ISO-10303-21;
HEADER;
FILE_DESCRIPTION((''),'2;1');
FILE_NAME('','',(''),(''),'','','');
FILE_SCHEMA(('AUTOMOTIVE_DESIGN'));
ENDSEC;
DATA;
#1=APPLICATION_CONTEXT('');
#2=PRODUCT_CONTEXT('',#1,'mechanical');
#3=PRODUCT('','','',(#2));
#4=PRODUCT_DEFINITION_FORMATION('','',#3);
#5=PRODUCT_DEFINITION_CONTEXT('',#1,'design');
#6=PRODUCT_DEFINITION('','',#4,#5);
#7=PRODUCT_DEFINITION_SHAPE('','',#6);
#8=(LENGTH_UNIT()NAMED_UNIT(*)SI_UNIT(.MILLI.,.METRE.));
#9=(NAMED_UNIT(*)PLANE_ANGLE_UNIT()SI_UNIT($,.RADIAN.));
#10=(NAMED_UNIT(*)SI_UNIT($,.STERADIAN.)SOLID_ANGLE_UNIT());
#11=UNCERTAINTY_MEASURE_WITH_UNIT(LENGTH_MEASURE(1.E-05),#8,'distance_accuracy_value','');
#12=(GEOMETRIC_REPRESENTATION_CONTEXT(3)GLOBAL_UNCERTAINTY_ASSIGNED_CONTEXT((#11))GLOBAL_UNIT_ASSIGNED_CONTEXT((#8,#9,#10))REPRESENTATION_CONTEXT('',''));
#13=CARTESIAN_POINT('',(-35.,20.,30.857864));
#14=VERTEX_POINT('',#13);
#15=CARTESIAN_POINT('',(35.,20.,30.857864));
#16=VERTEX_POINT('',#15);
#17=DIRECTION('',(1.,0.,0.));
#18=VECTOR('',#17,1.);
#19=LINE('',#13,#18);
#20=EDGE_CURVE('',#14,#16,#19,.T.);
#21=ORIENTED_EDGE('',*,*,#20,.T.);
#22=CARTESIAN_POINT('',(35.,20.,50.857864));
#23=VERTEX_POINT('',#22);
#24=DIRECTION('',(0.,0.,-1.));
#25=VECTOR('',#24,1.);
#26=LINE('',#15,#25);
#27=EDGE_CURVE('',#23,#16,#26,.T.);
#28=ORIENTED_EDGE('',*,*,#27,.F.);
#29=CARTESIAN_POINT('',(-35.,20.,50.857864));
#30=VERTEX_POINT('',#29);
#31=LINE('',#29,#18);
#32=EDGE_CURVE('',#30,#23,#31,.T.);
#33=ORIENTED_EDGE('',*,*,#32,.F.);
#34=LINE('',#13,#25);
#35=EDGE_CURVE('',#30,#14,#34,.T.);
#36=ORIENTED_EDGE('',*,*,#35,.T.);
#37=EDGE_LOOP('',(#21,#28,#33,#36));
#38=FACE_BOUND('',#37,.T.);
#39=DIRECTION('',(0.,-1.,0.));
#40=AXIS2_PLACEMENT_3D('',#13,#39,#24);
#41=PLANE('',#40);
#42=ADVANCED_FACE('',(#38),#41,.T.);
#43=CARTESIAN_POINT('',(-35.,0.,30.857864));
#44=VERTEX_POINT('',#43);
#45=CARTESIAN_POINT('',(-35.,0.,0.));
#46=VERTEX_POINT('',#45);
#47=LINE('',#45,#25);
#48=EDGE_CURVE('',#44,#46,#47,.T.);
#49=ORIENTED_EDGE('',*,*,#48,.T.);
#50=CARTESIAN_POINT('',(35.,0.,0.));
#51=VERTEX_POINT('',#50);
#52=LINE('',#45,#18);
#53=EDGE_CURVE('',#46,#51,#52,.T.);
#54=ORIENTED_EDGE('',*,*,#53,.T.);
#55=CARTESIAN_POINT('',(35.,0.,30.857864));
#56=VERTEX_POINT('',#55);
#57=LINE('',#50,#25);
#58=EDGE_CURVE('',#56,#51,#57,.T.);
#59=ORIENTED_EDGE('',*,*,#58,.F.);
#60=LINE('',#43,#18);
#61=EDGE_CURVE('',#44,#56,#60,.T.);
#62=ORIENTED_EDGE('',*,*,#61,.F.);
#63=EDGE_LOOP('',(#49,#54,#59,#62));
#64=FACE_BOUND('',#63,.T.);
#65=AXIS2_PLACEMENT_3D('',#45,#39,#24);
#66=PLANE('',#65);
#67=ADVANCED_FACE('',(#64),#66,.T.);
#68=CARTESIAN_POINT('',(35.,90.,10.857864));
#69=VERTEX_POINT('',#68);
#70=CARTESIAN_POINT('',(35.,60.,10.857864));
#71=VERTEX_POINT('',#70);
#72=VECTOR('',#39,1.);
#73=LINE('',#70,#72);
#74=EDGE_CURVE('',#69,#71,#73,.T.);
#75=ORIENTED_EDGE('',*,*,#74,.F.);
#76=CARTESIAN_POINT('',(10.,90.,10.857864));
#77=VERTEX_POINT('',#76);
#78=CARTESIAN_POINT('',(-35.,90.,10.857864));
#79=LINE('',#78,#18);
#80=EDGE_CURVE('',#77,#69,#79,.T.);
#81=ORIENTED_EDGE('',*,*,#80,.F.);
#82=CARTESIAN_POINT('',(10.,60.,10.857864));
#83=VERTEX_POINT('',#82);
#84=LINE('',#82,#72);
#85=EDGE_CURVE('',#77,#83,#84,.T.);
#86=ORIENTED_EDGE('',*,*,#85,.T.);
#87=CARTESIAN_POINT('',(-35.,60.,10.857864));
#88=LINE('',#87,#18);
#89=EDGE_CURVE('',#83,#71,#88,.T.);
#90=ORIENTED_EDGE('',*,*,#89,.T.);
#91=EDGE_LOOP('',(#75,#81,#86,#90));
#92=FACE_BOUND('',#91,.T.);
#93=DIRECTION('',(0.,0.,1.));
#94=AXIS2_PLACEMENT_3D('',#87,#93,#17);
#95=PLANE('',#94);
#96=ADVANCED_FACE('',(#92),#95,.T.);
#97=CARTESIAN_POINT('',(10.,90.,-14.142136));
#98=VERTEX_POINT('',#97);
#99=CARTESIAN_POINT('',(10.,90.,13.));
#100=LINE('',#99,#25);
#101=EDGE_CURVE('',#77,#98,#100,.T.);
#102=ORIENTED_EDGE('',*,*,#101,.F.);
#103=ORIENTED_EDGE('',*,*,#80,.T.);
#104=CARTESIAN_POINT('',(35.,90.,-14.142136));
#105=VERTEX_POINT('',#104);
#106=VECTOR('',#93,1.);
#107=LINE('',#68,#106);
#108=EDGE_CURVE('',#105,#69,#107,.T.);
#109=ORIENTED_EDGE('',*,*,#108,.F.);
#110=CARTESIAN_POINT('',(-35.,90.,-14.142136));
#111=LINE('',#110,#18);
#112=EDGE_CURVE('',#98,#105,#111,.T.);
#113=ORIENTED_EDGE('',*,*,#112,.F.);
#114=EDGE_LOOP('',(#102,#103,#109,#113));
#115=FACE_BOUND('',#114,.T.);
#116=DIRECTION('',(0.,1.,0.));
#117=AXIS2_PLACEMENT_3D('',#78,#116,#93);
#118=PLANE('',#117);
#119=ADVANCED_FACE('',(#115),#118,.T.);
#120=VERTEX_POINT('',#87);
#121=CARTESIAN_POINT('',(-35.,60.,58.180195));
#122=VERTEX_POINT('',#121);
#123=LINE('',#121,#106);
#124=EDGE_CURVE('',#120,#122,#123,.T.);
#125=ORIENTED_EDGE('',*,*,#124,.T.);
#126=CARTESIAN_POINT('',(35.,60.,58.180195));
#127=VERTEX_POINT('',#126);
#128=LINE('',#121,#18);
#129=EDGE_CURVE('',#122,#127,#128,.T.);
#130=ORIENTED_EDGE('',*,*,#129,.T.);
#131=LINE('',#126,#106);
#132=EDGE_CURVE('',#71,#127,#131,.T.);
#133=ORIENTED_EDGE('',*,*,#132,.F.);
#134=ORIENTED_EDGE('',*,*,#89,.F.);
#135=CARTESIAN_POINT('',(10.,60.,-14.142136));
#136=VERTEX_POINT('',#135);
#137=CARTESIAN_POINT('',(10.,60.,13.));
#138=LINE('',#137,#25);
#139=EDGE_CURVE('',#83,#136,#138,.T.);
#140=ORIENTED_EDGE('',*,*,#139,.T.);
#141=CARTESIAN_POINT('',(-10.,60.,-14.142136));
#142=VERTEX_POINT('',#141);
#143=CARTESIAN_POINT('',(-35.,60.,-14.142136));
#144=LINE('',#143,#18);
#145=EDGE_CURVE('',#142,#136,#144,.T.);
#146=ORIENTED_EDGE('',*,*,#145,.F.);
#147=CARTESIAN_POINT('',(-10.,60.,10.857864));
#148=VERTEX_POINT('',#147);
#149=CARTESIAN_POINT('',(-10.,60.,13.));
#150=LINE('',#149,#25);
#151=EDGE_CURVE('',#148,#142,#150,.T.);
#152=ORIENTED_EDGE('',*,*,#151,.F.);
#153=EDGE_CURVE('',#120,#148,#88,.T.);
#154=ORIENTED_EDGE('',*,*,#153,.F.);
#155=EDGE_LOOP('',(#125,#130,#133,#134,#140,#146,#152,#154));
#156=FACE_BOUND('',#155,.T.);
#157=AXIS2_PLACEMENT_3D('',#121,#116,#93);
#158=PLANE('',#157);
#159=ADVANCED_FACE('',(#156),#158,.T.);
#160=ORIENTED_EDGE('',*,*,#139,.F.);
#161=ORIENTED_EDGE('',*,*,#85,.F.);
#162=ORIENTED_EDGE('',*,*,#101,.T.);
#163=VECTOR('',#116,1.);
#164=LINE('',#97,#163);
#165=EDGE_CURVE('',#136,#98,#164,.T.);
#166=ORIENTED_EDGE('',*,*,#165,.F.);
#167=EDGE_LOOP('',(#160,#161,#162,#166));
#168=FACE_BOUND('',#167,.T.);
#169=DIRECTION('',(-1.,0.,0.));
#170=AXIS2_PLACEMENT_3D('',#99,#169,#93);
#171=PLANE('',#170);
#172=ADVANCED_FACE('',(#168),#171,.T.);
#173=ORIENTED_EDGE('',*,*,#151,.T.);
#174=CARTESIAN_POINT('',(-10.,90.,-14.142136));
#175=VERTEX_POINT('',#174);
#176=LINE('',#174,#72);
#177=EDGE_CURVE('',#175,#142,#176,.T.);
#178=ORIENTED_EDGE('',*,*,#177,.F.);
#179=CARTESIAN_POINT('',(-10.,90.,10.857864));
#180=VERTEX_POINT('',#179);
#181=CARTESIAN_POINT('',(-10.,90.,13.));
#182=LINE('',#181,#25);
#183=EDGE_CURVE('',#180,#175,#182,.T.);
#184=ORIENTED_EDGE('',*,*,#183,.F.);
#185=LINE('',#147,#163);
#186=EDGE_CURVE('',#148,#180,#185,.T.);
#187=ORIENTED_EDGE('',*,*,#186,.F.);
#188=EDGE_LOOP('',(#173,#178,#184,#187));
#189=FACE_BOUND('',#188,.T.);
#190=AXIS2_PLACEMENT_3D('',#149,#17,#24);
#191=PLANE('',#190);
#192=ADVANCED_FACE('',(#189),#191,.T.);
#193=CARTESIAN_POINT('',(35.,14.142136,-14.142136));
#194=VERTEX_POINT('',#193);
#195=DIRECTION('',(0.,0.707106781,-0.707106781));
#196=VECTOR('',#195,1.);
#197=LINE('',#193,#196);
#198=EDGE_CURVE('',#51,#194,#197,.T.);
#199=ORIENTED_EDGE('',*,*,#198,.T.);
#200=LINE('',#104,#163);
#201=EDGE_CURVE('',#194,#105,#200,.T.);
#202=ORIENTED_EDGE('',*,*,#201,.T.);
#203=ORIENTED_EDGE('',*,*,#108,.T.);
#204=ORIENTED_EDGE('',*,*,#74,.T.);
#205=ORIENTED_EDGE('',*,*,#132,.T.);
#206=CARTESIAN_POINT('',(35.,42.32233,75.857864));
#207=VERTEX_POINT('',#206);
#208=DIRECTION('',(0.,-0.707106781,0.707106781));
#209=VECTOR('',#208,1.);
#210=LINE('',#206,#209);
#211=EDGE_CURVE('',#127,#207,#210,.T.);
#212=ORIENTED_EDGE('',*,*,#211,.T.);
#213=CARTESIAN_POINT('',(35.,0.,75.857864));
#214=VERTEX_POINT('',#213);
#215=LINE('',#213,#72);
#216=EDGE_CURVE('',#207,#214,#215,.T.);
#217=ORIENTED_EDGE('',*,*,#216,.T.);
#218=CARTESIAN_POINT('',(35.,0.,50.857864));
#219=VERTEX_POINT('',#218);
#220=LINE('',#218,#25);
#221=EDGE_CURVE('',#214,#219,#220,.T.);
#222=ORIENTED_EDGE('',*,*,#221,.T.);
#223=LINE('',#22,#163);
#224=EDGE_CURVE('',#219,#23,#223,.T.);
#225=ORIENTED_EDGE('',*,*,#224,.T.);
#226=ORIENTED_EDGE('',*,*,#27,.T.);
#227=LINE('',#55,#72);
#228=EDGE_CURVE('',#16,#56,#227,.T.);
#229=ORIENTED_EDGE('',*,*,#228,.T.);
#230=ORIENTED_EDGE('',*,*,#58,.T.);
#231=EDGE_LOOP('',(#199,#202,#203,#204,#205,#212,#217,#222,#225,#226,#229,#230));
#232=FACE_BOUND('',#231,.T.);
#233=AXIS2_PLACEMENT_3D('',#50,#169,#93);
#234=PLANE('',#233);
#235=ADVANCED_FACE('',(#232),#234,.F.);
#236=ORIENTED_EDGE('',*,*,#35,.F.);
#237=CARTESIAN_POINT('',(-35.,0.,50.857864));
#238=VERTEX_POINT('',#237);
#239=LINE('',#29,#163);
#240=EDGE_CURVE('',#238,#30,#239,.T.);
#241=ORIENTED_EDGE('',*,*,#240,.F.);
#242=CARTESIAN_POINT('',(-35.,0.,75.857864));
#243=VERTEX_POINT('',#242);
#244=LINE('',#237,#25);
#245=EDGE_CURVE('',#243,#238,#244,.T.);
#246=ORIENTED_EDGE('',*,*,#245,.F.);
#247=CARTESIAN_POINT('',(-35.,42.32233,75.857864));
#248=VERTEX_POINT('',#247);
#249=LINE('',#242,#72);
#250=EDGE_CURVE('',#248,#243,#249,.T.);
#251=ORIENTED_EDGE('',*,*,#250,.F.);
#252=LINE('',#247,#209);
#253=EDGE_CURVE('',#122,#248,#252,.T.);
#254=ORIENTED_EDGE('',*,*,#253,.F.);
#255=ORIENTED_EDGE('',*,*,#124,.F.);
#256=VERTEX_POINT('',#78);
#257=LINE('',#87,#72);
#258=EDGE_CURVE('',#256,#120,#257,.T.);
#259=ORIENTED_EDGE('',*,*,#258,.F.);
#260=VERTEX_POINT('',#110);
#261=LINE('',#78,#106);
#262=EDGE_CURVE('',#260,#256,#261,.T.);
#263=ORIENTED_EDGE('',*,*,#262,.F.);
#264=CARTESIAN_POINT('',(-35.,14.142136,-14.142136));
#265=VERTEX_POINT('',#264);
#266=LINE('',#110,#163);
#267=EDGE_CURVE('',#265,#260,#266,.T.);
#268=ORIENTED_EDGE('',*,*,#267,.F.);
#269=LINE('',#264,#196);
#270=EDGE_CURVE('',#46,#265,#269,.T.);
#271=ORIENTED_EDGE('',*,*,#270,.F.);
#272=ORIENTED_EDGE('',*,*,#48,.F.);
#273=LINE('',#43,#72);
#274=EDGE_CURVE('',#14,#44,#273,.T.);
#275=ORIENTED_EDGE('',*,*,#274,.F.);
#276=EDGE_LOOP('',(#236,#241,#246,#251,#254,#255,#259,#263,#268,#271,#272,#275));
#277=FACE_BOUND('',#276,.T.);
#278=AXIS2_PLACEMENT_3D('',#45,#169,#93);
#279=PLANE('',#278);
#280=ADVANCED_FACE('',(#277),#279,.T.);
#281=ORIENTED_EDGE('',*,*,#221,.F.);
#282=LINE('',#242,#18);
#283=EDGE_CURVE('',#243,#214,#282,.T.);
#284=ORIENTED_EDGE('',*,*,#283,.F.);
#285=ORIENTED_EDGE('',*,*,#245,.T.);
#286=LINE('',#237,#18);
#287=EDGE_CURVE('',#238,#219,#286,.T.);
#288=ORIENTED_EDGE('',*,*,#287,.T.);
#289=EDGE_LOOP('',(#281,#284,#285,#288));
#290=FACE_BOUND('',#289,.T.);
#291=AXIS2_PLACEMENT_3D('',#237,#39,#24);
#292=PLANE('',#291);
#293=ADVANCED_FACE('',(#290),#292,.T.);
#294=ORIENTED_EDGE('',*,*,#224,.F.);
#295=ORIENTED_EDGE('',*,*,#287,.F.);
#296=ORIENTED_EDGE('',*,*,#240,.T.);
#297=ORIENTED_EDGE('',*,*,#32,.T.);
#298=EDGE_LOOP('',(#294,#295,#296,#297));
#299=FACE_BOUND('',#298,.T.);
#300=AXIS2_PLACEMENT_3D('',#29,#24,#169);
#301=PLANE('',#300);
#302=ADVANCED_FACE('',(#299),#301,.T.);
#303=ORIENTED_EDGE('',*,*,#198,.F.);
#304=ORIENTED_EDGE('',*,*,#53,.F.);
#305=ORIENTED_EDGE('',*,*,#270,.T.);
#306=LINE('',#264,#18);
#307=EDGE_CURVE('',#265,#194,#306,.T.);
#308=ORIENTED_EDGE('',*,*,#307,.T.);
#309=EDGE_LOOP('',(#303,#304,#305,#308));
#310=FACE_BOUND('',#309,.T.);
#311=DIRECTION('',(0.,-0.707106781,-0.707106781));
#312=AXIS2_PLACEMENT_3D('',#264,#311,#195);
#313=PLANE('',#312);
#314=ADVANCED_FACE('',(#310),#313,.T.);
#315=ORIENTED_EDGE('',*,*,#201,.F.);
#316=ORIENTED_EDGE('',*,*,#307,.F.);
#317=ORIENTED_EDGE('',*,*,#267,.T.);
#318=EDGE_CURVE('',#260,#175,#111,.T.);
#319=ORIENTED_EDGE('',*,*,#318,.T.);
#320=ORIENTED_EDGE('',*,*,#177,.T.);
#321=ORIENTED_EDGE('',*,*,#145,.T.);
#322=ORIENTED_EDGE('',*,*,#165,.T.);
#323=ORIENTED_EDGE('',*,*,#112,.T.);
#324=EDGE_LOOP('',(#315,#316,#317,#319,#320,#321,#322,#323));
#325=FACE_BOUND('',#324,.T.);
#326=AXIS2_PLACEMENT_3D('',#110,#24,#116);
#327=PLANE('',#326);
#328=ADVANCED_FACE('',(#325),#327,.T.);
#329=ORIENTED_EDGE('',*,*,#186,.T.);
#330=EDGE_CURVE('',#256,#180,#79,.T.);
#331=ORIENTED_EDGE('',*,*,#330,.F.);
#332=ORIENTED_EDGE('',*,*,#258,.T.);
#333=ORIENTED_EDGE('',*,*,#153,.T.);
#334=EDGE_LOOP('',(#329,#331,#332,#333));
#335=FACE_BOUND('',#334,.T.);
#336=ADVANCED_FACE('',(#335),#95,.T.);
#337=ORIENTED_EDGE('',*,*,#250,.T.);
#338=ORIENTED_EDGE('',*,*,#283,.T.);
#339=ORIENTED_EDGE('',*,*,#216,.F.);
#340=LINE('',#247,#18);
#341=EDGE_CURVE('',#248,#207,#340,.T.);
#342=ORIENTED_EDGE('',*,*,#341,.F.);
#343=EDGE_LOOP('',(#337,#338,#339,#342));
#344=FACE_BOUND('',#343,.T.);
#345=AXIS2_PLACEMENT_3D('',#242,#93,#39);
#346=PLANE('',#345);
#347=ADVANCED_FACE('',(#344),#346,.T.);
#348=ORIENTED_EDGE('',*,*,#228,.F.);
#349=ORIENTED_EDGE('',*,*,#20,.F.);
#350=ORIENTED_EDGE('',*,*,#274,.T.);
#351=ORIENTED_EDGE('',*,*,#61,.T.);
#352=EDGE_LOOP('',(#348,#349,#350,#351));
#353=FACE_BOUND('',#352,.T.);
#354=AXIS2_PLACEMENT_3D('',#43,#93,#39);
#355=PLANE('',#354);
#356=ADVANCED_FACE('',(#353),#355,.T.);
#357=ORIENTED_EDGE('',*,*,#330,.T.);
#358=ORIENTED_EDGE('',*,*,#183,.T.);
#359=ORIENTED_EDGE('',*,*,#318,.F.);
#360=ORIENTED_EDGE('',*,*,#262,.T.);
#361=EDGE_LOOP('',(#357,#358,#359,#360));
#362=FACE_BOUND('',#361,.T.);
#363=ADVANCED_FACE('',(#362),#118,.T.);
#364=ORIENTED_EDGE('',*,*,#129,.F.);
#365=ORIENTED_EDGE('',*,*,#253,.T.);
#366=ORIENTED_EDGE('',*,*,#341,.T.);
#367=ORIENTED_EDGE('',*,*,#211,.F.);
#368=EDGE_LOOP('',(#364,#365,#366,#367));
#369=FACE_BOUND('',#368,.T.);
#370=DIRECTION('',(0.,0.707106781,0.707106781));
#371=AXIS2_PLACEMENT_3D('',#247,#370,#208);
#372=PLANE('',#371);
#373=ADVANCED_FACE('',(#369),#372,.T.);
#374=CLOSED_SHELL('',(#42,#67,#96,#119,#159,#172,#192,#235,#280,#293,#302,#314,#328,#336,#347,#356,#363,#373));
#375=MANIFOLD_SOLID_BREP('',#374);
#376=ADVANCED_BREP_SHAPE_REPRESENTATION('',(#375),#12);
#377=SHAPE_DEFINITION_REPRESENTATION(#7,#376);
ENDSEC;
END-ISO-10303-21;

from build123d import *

# Parameters (mm, degrees)
BOSS_EXTRUDE1_DEPTH      = 35
BOSS_EXTRUDE1_DEPTH_BACK = 35
CUT_EXTRUDE1_DEPTH       = 13
CUT_EXTRUDE1_DEPTH_BACK  = 17
SKETCH2_W                = 20
SKETCH2_H                = 30


with BuildPart() as part:
    # Sketch1 → Boss-Extrude1 (new, two sides: drawn at the far end of the back side and taken through both)
    with BuildSketch(Plane(origin=(0, 0, 0), x_dir=(0, 0, -1), z_dir=(1, 0, 0)).offset(-BOSS_EXTRUDE1_DEPTH_BACK)):
        Polygon((0, 0), (-30.857864376, 0), (-30.857864376, 20), (-50.857864376, 20), (-50.857864376, 0), (-75.857864376, 0), (-75.857864376, 42.32233047), (-58.180194847, 60), (-10.857864376, 60), (-10.857864376, 90), (14.142135624, 90), (14.142135624, 14.142135624), align=None)
    extrude(amount=BOSS_EXTRUDE1_DEPTH + BOSS_EXTRUDE1_DEPTH_BACK)

    # Sketch2 → Cut-Extrude1 (cut, two sides: drawn at the far end of the back side and taken through both)
    with BuildSketch(Plane.XY.offset(-CUT_EXTRUDE1_DEPTH_BACK)):
        with Locations((0, 75)):
            Rectangle(SKETCH2_W, SKETCH2_H)
    extrude(amount=CUT_EXTRUDE1_DEPTH + CUT_EXTRUDE1_DEPTH_BACK, mode=Mode.SUBTRACT)


solid = part.part
